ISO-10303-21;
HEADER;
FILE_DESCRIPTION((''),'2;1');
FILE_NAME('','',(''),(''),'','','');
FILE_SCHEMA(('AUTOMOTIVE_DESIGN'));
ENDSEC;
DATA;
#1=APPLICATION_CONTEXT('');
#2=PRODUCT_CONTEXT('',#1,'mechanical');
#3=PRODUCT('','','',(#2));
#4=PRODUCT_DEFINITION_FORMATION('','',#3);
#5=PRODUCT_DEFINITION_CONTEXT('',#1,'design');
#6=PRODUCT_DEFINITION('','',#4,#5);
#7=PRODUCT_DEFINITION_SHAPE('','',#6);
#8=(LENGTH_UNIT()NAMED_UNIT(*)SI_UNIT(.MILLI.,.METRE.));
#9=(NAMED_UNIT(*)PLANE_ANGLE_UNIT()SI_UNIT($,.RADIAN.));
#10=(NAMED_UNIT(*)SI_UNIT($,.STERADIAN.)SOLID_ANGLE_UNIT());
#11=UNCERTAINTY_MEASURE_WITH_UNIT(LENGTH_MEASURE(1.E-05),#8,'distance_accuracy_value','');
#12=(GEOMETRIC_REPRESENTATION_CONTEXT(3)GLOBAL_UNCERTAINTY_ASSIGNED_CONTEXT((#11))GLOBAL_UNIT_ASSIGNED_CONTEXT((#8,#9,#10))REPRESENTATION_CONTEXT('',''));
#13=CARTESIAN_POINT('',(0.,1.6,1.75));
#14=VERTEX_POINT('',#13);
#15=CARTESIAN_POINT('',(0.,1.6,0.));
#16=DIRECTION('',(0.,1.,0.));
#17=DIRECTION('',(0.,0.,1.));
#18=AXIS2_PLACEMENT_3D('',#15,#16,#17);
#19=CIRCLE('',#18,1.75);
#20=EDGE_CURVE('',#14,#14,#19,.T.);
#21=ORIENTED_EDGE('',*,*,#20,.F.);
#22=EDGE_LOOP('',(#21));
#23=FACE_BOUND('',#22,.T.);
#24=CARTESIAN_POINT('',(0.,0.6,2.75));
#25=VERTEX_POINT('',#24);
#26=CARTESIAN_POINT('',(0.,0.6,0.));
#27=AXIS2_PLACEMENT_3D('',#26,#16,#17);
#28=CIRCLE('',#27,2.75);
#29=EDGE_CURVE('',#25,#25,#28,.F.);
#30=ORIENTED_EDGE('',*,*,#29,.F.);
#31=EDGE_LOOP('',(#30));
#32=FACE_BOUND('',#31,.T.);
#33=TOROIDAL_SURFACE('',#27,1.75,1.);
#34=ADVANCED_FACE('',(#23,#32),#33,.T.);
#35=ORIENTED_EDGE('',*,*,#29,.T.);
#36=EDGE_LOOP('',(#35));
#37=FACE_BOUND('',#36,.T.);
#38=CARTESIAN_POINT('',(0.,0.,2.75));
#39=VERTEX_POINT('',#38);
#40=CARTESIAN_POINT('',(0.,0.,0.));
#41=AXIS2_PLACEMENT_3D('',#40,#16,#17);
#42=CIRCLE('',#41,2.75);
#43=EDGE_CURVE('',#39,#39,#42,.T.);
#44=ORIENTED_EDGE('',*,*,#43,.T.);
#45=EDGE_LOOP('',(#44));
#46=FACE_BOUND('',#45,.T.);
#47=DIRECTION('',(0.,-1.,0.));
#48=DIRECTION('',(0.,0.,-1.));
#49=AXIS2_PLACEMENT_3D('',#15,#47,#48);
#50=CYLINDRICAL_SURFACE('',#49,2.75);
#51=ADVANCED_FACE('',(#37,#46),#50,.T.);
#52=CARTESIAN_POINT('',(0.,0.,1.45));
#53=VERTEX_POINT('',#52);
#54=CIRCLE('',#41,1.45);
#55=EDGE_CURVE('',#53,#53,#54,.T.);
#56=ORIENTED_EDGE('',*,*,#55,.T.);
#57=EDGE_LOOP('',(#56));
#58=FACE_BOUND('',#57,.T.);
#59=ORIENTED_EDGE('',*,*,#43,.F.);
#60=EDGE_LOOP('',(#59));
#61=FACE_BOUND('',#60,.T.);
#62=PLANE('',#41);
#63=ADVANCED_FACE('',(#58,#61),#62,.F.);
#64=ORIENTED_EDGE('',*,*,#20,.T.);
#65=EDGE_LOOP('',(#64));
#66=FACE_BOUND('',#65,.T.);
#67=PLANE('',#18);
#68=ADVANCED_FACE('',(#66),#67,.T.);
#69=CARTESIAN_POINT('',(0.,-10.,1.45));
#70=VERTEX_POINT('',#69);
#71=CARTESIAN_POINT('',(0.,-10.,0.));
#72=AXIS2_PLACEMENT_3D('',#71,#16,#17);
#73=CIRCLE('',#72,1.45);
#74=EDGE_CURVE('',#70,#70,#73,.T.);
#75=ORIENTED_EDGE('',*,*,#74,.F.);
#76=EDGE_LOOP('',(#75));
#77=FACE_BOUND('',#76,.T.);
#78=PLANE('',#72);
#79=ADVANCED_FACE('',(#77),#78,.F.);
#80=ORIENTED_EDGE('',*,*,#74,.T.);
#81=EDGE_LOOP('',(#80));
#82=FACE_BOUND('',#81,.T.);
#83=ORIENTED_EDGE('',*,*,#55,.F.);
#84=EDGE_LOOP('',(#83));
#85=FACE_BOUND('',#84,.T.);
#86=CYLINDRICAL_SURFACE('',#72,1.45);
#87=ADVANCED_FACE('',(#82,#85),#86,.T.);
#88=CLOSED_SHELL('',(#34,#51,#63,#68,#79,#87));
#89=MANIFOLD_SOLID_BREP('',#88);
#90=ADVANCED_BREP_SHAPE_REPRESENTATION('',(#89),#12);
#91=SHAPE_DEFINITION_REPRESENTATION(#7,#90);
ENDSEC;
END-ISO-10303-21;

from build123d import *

# Parameters (mm, degrees)
SKETCH1_R           = 1.45
BOSS_EXTRUDE1_DEPTH = 10
SKETCH2_R           = 2.75
BOSS_EXTRUDE2_DEPTH = 1.6
FILLET1_R           = 1


with BuildPart() as part:
    # Sketch1 → Boss-Extrude1 (new body)
    with BuildSketch(Plane(origin=(0, 0, 0), x_dir=(1, 0, 0), z_dir=(0, 1, 0))):
        with Locations(Location((0, 0, 0), (0, 0, 270))):
            Circle(SKETCH1_R)
    extrude(amount=-BOSS_EXTRUDE1_DEPTH)

    # Sketch2 → Boss-Extrude2 (add)
    with BuildSketch(Plane(origin=(0, 0, 0), x_dir=(1, 0, 0), z_dir=(0, 1, 0))):
        with Locations(Location((0, 0, 0), (0, 0, 270))):
            Circle(SKETCH2_R)
    extrude(amount=BOSS_EXTRUDE2_DEPTH)

    # Fillet1
    fillet1_edges = [part.edges().sort_by_distance(p)[0] for p in [
        (0, 1.6, -2.75),
    ]]
    fillet(fillet1_edges, radius=FILLET1_R)


solid = part.part
